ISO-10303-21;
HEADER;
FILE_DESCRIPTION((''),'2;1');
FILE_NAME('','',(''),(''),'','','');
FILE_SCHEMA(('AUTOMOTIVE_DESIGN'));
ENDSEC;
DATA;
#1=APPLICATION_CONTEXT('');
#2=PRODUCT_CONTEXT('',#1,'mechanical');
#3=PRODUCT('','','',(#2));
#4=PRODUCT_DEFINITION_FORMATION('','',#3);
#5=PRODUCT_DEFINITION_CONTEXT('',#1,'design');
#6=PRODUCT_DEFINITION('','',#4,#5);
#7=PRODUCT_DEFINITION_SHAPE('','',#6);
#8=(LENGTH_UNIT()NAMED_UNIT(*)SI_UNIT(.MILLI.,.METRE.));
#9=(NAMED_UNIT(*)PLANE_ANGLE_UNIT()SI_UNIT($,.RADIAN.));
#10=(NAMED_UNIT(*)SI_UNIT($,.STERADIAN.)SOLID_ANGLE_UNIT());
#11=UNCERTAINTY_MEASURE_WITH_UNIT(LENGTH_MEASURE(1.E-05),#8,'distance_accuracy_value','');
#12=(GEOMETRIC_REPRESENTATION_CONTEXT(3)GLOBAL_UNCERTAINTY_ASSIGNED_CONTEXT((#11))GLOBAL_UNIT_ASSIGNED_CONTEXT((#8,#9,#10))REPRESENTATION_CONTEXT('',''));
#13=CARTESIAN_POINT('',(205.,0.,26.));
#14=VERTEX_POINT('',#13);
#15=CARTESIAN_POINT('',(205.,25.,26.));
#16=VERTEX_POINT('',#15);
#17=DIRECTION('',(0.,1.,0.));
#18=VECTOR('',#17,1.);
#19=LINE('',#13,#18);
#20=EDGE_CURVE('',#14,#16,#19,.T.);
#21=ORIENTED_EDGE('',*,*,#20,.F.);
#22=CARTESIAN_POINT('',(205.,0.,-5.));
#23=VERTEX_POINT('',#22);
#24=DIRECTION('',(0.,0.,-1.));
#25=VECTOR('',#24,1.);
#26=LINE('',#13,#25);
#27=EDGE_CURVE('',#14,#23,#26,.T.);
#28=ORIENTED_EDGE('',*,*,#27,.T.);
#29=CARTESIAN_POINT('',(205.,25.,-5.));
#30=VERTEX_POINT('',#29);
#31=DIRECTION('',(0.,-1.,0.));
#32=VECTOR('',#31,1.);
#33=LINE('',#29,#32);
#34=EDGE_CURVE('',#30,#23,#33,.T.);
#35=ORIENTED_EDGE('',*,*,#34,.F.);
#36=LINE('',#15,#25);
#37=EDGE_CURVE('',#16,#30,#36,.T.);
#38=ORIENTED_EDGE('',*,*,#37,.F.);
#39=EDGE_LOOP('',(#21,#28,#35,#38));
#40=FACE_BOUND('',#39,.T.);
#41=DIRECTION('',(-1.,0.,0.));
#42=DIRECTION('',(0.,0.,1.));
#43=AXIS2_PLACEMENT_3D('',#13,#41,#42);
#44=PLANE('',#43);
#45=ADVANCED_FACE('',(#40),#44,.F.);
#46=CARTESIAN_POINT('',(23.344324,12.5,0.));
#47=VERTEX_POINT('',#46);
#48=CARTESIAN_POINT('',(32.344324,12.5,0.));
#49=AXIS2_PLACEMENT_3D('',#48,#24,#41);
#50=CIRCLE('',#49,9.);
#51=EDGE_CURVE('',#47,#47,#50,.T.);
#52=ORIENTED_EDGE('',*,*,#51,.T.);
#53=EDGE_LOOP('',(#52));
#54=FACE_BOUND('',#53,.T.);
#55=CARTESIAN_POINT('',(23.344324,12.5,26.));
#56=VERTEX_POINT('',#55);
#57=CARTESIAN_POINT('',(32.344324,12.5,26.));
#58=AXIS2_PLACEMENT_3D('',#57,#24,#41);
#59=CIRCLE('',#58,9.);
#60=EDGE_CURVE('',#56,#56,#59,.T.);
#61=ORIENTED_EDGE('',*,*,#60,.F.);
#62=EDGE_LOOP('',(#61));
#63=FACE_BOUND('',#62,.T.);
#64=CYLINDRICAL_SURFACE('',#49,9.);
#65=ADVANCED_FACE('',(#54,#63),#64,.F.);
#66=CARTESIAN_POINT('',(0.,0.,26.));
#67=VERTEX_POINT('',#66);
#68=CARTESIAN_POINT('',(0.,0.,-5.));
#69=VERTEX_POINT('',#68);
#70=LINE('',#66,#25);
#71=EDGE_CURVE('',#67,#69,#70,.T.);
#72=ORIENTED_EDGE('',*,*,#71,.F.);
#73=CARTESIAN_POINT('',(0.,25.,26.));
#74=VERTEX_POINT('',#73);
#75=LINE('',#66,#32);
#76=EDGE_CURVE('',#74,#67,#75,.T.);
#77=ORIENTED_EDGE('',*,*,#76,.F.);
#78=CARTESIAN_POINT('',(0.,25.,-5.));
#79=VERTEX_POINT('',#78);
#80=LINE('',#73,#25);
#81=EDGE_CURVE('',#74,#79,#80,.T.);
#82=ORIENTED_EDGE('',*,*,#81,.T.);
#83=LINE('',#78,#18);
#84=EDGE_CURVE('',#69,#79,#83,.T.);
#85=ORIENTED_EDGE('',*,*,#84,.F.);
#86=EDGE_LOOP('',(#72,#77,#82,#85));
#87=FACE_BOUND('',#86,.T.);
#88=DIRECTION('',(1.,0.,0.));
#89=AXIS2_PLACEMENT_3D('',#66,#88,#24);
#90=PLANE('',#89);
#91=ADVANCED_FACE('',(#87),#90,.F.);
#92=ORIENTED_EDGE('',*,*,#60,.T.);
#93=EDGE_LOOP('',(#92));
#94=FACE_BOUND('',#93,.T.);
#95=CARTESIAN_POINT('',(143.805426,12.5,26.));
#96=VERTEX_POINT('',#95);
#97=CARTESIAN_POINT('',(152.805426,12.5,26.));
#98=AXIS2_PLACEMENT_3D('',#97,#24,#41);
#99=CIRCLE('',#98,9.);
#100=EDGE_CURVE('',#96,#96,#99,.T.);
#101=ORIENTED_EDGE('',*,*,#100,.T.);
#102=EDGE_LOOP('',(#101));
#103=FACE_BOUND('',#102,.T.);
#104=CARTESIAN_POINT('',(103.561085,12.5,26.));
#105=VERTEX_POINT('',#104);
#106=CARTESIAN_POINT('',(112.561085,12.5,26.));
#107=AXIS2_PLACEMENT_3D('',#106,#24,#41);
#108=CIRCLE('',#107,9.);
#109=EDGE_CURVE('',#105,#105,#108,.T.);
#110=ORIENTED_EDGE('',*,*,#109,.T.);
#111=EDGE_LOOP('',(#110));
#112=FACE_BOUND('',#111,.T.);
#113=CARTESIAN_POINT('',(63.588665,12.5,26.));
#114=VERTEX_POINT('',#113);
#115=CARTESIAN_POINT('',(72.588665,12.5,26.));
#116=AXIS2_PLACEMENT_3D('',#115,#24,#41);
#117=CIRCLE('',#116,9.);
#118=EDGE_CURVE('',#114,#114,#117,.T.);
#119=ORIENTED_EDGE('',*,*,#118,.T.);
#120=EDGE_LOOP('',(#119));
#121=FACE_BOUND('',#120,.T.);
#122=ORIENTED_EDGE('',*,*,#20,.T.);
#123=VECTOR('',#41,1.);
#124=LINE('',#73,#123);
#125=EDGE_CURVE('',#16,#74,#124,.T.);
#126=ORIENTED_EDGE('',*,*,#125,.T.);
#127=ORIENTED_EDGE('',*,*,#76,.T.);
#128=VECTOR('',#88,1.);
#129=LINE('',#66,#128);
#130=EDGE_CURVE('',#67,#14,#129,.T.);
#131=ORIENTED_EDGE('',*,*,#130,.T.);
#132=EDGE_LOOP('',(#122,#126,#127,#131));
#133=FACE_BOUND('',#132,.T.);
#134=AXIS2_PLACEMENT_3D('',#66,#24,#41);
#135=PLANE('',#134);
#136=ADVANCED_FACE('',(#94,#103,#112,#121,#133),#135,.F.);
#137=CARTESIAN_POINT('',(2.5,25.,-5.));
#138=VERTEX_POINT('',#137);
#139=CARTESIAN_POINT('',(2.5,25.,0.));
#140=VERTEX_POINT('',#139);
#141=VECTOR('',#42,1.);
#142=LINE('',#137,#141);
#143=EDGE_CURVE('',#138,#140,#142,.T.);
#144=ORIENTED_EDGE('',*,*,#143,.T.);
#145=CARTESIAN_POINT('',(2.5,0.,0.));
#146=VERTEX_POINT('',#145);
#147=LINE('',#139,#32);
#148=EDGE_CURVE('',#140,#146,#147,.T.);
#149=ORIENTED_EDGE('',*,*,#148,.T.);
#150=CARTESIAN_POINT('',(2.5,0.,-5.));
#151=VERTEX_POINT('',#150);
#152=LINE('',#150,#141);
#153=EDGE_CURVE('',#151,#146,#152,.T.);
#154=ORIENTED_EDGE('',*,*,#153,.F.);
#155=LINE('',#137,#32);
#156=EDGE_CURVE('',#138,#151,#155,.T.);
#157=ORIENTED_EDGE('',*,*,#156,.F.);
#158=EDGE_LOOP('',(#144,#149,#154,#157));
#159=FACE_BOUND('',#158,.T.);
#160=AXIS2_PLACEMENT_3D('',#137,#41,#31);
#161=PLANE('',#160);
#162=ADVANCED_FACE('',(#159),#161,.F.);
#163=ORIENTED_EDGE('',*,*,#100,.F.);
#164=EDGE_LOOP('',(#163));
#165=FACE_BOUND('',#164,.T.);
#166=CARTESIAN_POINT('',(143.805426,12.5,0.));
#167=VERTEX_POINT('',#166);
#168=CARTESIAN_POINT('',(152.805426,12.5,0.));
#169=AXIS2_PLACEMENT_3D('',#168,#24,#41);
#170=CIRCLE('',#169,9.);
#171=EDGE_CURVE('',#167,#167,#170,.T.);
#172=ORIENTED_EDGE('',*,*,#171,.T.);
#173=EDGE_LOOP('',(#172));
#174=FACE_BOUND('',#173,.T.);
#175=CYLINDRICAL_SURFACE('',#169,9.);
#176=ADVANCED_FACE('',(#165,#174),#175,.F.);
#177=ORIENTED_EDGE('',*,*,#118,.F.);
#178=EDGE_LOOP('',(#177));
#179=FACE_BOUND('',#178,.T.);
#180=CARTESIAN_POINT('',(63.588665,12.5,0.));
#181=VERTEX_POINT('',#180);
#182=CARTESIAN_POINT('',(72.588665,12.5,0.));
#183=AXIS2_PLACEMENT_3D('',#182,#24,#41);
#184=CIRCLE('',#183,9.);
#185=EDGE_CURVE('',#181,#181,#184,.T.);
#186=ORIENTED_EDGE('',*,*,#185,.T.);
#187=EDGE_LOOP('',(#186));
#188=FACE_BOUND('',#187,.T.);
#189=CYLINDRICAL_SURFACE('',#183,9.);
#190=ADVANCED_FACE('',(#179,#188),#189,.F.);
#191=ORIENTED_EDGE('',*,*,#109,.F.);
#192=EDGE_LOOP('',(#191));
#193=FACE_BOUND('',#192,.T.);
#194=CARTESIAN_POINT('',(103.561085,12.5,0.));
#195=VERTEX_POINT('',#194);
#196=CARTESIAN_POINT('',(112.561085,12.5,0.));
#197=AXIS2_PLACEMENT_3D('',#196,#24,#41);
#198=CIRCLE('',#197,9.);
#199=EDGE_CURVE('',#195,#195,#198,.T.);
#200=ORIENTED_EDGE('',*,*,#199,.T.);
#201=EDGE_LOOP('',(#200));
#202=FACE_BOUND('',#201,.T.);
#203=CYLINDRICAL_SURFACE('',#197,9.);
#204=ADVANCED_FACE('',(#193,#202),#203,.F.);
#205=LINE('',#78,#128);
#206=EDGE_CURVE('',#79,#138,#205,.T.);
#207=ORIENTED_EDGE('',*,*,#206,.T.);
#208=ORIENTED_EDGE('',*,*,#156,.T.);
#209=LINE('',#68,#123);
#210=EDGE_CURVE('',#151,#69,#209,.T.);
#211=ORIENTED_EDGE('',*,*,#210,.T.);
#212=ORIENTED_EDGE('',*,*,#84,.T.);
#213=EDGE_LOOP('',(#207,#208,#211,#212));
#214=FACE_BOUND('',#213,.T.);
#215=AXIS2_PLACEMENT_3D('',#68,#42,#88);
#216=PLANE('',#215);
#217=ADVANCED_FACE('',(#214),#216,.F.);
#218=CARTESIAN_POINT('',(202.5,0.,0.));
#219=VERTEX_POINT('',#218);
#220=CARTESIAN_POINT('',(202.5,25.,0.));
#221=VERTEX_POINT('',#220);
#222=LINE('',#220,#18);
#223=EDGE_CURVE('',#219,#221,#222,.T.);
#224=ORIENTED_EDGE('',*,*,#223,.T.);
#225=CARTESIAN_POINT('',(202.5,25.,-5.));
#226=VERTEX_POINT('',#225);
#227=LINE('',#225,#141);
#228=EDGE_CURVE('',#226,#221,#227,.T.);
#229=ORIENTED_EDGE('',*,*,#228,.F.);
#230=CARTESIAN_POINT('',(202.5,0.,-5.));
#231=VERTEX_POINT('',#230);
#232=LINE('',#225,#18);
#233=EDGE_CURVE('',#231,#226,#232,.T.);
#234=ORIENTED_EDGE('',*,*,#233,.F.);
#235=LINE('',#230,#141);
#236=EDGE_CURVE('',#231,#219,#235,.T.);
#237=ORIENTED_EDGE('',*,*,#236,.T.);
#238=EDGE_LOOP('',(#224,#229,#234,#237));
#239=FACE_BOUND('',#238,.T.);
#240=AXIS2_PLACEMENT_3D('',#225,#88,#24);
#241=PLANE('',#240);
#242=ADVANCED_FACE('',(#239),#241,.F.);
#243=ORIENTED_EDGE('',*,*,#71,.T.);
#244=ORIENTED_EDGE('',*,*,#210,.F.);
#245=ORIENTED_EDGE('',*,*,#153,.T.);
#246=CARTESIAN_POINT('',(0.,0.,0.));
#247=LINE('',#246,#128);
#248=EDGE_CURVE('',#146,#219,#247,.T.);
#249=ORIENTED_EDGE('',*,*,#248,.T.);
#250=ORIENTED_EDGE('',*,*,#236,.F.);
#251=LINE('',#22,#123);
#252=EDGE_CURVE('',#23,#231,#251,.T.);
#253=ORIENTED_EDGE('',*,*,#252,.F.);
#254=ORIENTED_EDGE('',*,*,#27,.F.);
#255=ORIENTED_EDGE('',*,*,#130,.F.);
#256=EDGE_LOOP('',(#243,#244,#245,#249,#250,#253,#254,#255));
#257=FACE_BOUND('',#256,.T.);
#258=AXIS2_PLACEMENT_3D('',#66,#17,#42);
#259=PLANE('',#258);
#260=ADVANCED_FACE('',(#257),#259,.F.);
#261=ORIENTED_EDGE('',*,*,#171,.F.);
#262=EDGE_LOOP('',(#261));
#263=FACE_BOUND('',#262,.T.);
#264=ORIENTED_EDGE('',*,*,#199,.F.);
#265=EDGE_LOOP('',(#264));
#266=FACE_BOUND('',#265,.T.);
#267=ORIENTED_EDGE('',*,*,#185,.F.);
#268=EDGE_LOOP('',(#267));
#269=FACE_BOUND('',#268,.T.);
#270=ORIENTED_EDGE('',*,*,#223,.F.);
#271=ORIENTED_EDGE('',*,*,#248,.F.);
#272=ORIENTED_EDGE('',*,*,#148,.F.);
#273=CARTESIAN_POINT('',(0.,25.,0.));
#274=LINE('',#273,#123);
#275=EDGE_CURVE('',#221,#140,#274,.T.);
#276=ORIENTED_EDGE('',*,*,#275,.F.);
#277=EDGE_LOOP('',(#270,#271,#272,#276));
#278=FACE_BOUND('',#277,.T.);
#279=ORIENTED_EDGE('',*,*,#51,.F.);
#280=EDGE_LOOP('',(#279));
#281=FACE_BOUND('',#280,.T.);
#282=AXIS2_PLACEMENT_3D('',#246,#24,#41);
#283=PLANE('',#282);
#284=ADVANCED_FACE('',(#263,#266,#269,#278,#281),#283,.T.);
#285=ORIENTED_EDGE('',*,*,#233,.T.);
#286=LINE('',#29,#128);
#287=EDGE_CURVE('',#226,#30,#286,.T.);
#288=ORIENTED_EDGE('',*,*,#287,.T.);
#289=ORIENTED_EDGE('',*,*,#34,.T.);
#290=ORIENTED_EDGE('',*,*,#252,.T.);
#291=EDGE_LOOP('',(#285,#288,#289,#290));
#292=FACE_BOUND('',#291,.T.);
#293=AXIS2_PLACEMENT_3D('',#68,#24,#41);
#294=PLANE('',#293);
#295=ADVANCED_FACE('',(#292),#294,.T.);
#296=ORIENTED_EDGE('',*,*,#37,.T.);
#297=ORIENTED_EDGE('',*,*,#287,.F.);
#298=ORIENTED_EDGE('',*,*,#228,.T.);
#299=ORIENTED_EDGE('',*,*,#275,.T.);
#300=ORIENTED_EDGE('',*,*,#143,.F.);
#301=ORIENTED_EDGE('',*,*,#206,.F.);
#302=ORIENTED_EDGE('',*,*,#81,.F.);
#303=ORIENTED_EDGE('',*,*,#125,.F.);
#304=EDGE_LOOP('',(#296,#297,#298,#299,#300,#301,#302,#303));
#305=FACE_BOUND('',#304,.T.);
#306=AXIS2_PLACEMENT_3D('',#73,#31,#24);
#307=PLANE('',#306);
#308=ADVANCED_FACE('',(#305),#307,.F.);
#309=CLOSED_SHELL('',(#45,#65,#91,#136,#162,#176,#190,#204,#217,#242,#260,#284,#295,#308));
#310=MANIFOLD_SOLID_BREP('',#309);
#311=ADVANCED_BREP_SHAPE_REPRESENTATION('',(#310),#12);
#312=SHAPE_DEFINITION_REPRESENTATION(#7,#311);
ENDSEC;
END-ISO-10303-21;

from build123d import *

# Parameters (mm, degrees)
SKIZZE1_W                        = 205
SKIZZE1_H                        = 25
AUFSATZ_LINEAR_AUSTRAGEN1_DEPTH  = 26
SKIZZE2_W                        = 2.5
SKIZZE2_H                        = 25
AUFSATZ_LINEAR_AUSTRAGEN2_DEPTH  = 5
F_18_0_18_DURCHMESSER_BOHRUNG1_D = 18


with BuildPart() as part:
    # Skizze1 → Aufsatz-Linear austragen1 (new body)
    with BuildSketch(Plane.XY):
        with Locations((102.5, 12.5)):
            Rectangle(SKIZZE1_W, SKIZZE1_H)
    extrude(amount=AUFSATZ_LINEAR_AUSTRAGEN1_DEPTH)

    # Skizze2 → Aufsatz-Linear austragen2 (add)
    with BuildSketch(Plane(origin=(0, 0, 0), x_dir=(-1, 0, 0), z_dir=(0, 0, -1))):
        with Locations((-1.25, 12.5)):
            Rectangle(SKIZZE2_W, SKIZZE2_H)
        with Locations((-203.75, 12.5)):
            Rectangle(SKIZZE2_W, SKIZZE2_H)
    extrude(amount=AUFSATZ_LINEAR_AUSTRAGEN2_DEPTH)

    # Ø18.0 (18) Durchmesser Bohrung1 (through all)
    with Locations(Plane(origin=(0, 0, 0), x_dir=(-1, 0, 0), z_dir=(0, 0, -1))):
        with Locations((-32.344324412, 12.5), (-72.588665447, 12.5), (-112.561085259, 12.5), (-152.805426293, 12.5)):
            Hole(F_18_0_18_DURCHMESSER_BOHRUNG1_D / 2)


solid = part.part
